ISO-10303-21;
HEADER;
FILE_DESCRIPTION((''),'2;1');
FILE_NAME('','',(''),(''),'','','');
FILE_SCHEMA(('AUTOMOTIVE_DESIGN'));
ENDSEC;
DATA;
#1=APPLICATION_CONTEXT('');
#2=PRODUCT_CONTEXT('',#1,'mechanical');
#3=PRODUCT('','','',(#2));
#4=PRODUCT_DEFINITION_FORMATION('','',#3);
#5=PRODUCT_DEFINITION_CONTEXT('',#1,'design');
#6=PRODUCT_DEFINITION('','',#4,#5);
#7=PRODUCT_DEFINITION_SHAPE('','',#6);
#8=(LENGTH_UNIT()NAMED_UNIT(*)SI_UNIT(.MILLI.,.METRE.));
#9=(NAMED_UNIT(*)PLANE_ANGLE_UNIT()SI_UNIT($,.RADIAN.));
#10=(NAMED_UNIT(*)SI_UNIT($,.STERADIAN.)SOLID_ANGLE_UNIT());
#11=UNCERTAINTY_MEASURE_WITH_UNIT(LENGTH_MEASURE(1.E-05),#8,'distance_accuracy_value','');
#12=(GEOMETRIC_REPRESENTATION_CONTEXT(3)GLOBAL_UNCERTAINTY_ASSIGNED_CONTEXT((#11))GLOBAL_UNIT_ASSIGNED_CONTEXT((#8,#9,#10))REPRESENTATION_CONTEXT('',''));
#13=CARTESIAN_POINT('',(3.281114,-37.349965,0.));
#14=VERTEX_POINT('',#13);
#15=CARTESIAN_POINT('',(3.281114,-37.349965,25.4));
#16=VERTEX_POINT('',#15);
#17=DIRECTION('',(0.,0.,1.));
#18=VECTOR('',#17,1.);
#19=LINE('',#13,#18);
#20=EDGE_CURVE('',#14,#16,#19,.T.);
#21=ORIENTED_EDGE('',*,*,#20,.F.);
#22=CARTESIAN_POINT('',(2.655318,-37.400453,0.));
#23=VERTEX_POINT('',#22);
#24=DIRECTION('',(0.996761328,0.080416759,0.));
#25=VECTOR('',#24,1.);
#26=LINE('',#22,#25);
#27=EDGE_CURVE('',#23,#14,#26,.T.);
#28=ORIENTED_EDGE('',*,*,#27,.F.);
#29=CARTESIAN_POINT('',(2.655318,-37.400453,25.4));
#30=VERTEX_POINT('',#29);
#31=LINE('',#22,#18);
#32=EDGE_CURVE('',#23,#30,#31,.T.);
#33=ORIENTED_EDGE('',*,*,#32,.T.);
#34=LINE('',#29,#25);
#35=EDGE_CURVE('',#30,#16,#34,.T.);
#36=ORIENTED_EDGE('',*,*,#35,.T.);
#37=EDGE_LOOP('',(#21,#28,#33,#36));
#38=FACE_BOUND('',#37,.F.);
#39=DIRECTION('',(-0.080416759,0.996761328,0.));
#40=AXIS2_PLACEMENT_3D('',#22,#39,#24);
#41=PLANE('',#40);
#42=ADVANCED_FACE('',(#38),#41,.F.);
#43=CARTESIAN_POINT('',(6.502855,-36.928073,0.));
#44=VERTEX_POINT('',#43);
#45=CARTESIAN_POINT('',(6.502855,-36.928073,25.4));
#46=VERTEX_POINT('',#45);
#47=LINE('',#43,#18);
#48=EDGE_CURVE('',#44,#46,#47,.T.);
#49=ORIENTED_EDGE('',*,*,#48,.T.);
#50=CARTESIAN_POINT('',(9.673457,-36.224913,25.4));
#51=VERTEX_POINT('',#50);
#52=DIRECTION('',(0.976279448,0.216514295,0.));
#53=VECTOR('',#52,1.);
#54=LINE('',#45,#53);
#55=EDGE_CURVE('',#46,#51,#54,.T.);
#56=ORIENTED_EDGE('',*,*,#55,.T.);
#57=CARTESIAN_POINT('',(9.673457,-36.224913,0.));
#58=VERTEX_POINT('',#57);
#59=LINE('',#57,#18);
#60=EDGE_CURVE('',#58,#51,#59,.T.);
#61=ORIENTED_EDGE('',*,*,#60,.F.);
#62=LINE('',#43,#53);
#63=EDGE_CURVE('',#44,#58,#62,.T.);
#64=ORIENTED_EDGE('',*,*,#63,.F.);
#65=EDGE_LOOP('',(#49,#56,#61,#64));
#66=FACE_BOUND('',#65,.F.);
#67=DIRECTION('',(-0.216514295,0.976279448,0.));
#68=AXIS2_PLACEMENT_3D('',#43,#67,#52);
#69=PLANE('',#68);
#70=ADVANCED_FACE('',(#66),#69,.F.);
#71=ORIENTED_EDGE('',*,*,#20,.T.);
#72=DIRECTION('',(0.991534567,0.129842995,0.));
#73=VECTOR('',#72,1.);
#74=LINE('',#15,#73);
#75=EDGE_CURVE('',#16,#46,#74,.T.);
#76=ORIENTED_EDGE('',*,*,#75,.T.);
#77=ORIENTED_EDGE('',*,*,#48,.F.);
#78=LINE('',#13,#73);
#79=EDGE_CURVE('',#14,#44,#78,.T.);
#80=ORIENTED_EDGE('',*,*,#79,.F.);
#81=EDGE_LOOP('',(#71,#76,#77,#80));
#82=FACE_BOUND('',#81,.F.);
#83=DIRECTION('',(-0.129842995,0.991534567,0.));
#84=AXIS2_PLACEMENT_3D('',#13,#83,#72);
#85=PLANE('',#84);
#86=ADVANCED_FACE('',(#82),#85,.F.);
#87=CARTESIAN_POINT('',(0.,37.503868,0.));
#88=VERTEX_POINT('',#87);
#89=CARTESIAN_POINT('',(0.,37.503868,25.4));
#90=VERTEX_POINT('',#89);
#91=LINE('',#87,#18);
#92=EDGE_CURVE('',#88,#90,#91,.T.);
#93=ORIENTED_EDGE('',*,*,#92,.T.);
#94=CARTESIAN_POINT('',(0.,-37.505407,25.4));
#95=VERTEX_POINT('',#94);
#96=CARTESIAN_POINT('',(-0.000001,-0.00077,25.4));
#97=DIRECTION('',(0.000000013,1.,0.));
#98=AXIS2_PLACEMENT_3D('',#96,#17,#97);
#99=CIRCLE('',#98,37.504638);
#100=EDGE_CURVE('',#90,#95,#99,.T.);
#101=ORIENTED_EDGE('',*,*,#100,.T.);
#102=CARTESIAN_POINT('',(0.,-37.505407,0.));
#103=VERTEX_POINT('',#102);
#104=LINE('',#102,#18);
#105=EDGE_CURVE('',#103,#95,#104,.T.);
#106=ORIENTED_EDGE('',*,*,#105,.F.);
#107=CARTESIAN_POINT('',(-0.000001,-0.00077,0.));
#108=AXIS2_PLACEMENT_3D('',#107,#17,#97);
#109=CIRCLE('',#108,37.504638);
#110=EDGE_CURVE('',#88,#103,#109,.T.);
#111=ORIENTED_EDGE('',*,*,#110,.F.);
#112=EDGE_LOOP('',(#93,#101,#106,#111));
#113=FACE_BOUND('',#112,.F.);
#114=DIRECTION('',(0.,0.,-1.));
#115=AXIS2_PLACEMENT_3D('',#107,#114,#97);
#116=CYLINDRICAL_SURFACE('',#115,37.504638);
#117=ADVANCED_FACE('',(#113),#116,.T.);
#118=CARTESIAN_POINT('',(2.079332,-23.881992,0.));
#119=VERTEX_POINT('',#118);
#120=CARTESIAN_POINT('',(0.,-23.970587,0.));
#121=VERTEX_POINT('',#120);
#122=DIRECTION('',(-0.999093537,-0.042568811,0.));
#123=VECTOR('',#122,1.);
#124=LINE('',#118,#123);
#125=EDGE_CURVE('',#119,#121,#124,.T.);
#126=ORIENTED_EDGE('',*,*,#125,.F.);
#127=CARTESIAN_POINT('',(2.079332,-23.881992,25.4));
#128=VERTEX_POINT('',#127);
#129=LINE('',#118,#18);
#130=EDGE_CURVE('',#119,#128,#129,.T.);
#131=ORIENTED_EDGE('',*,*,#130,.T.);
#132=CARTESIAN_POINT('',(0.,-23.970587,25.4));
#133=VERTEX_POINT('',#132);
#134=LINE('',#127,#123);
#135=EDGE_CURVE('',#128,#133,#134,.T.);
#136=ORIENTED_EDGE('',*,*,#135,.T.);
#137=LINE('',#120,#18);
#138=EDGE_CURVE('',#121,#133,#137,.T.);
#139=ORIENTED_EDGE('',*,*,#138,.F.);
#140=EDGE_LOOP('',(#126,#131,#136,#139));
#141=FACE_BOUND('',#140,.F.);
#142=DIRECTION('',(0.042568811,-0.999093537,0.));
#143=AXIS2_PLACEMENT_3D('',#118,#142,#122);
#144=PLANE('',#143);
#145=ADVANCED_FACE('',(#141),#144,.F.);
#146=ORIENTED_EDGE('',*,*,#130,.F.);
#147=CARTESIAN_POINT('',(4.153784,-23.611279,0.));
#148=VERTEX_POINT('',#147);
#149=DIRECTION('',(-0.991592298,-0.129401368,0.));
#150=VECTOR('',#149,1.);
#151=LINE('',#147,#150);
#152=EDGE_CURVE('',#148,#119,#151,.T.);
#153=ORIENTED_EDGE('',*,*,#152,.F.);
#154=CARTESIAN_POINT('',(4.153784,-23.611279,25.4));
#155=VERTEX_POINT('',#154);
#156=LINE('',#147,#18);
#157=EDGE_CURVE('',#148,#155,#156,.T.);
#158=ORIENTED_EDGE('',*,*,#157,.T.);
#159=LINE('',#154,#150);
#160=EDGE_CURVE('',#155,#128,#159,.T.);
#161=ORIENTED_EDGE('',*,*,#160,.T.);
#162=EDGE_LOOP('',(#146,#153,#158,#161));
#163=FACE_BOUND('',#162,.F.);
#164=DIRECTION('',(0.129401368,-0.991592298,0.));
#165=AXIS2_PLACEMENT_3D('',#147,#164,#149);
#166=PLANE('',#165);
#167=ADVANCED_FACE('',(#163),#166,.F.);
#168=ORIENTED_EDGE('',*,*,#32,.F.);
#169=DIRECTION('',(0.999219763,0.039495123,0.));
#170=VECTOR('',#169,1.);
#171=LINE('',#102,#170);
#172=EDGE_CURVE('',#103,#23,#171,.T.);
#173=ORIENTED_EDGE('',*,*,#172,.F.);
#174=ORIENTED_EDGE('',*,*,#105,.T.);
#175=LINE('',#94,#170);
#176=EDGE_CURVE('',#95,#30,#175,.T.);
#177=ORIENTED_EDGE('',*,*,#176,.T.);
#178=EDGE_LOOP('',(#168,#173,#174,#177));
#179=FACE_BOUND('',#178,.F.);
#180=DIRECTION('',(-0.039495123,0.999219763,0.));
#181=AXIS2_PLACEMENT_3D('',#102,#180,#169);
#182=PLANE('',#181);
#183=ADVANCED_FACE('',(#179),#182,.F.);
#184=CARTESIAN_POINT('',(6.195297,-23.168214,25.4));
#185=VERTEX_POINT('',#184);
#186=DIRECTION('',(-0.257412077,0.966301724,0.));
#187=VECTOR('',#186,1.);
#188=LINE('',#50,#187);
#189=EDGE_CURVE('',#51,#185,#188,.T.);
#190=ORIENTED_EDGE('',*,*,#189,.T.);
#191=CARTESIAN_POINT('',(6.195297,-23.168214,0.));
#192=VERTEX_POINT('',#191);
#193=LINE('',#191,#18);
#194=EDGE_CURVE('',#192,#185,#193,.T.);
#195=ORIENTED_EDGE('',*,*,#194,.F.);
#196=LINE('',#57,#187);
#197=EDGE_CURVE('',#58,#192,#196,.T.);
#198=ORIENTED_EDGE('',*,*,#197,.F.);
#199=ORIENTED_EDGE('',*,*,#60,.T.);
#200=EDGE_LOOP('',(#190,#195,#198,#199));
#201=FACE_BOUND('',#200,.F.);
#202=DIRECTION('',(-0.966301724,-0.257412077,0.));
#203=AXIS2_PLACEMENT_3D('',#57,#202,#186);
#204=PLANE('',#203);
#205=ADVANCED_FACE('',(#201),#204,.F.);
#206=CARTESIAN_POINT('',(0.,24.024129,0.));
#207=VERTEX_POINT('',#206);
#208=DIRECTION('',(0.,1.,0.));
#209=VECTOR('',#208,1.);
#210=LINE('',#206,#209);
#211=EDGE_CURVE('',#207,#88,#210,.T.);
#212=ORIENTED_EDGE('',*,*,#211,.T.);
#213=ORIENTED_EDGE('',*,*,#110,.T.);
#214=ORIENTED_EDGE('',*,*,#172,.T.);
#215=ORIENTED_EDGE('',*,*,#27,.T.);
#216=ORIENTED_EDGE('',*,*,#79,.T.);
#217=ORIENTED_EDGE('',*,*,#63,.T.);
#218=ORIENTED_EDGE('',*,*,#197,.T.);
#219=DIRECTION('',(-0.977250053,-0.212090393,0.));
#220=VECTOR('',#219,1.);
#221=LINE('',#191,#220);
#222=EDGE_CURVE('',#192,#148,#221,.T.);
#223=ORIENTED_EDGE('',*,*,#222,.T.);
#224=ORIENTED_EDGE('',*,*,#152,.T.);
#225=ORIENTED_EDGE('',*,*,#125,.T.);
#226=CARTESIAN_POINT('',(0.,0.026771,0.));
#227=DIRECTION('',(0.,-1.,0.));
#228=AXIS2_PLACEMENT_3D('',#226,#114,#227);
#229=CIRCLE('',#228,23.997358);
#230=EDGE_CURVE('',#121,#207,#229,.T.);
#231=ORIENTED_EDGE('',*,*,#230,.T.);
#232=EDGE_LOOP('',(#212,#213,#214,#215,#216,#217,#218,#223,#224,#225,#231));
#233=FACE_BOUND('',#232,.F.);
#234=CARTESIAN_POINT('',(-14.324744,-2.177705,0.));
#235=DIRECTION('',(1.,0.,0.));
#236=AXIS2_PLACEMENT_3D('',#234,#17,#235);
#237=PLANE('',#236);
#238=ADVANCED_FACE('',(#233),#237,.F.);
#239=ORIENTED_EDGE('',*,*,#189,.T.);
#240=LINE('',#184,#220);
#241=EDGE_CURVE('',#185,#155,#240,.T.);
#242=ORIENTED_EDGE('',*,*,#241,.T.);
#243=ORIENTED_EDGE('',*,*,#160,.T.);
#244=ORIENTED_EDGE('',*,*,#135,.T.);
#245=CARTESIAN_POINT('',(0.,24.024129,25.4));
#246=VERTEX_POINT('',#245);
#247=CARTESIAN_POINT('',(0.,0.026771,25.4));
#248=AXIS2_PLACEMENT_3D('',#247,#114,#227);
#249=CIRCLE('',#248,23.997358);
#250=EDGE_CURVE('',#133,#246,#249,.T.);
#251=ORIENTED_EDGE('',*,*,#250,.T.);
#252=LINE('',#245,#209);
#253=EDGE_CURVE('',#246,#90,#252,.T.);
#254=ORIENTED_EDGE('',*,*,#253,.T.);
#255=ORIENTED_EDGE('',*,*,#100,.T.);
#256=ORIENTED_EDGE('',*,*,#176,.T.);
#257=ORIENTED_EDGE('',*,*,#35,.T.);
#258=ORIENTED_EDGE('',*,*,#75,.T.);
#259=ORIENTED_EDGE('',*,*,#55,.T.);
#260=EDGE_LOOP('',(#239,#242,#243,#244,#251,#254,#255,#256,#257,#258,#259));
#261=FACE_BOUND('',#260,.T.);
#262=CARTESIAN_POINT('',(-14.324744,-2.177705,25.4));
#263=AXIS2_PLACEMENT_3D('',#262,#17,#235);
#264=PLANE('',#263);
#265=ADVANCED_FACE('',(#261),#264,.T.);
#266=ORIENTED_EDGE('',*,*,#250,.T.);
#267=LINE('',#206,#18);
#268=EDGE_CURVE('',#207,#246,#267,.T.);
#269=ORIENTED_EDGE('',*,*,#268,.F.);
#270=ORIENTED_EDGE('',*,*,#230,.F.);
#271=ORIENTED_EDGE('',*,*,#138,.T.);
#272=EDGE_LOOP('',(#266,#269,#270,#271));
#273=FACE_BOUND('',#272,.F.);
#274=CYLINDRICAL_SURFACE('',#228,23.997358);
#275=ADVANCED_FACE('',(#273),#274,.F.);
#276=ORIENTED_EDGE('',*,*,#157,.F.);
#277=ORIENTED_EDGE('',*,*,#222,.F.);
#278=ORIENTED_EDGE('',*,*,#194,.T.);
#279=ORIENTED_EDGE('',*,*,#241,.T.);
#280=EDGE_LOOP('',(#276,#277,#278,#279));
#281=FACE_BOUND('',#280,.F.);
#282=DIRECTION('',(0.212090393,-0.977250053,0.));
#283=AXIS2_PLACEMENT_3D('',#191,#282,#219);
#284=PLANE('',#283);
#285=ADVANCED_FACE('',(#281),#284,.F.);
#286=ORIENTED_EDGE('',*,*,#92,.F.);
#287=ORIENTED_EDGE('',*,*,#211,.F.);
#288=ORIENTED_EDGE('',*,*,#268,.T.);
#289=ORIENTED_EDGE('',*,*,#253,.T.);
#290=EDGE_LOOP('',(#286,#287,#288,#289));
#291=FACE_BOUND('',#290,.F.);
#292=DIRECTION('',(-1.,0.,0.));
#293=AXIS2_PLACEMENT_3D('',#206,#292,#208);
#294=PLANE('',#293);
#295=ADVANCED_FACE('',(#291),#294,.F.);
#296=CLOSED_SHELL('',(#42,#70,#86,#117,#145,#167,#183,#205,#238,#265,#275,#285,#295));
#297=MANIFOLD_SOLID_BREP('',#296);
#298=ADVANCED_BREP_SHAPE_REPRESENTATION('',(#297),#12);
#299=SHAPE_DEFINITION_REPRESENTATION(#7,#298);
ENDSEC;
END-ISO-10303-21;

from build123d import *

# Parameters (mm, degrees)
F1_DEPTH = 25.4


with BuildPart() as f1:
    # F0 (on Top) → F1 (new body)
    with BuildSketch(Plane.XY):
        with BuildLine():
            Line((0, 24.024129), (0, 37.503868))
            ThreePointArc((0, 37.503868), (-37.504638, -0.000769), (0, -37.505407))
            Line((0, -37.505407), (2.655318, -37.400453))
            Line((2.655318, -37.400453), (3.281114, -37.349965))
            Line((3.281114, -37.349965), (6.502855, -36.928073))
            Line((6.502855, -36.928073), (9.673457, -36.224913))
            Line((9.673457, -36.224913), (6.195297, -23.168214))
            Line((6.195297, -23.168214), (4.153784, -23.611279))
            Line((4.153784, -23.611279), (2.079332, -23.881992))
            Line((2.079332, -23.881992), (0, -23.970587))
            ThreePointArc((0, -23.970587), (-23.997358, 0.026771), (0, 24.024129))
        make_face()
    extrude(amount=F1_DEPTH)


solid = f1.part
